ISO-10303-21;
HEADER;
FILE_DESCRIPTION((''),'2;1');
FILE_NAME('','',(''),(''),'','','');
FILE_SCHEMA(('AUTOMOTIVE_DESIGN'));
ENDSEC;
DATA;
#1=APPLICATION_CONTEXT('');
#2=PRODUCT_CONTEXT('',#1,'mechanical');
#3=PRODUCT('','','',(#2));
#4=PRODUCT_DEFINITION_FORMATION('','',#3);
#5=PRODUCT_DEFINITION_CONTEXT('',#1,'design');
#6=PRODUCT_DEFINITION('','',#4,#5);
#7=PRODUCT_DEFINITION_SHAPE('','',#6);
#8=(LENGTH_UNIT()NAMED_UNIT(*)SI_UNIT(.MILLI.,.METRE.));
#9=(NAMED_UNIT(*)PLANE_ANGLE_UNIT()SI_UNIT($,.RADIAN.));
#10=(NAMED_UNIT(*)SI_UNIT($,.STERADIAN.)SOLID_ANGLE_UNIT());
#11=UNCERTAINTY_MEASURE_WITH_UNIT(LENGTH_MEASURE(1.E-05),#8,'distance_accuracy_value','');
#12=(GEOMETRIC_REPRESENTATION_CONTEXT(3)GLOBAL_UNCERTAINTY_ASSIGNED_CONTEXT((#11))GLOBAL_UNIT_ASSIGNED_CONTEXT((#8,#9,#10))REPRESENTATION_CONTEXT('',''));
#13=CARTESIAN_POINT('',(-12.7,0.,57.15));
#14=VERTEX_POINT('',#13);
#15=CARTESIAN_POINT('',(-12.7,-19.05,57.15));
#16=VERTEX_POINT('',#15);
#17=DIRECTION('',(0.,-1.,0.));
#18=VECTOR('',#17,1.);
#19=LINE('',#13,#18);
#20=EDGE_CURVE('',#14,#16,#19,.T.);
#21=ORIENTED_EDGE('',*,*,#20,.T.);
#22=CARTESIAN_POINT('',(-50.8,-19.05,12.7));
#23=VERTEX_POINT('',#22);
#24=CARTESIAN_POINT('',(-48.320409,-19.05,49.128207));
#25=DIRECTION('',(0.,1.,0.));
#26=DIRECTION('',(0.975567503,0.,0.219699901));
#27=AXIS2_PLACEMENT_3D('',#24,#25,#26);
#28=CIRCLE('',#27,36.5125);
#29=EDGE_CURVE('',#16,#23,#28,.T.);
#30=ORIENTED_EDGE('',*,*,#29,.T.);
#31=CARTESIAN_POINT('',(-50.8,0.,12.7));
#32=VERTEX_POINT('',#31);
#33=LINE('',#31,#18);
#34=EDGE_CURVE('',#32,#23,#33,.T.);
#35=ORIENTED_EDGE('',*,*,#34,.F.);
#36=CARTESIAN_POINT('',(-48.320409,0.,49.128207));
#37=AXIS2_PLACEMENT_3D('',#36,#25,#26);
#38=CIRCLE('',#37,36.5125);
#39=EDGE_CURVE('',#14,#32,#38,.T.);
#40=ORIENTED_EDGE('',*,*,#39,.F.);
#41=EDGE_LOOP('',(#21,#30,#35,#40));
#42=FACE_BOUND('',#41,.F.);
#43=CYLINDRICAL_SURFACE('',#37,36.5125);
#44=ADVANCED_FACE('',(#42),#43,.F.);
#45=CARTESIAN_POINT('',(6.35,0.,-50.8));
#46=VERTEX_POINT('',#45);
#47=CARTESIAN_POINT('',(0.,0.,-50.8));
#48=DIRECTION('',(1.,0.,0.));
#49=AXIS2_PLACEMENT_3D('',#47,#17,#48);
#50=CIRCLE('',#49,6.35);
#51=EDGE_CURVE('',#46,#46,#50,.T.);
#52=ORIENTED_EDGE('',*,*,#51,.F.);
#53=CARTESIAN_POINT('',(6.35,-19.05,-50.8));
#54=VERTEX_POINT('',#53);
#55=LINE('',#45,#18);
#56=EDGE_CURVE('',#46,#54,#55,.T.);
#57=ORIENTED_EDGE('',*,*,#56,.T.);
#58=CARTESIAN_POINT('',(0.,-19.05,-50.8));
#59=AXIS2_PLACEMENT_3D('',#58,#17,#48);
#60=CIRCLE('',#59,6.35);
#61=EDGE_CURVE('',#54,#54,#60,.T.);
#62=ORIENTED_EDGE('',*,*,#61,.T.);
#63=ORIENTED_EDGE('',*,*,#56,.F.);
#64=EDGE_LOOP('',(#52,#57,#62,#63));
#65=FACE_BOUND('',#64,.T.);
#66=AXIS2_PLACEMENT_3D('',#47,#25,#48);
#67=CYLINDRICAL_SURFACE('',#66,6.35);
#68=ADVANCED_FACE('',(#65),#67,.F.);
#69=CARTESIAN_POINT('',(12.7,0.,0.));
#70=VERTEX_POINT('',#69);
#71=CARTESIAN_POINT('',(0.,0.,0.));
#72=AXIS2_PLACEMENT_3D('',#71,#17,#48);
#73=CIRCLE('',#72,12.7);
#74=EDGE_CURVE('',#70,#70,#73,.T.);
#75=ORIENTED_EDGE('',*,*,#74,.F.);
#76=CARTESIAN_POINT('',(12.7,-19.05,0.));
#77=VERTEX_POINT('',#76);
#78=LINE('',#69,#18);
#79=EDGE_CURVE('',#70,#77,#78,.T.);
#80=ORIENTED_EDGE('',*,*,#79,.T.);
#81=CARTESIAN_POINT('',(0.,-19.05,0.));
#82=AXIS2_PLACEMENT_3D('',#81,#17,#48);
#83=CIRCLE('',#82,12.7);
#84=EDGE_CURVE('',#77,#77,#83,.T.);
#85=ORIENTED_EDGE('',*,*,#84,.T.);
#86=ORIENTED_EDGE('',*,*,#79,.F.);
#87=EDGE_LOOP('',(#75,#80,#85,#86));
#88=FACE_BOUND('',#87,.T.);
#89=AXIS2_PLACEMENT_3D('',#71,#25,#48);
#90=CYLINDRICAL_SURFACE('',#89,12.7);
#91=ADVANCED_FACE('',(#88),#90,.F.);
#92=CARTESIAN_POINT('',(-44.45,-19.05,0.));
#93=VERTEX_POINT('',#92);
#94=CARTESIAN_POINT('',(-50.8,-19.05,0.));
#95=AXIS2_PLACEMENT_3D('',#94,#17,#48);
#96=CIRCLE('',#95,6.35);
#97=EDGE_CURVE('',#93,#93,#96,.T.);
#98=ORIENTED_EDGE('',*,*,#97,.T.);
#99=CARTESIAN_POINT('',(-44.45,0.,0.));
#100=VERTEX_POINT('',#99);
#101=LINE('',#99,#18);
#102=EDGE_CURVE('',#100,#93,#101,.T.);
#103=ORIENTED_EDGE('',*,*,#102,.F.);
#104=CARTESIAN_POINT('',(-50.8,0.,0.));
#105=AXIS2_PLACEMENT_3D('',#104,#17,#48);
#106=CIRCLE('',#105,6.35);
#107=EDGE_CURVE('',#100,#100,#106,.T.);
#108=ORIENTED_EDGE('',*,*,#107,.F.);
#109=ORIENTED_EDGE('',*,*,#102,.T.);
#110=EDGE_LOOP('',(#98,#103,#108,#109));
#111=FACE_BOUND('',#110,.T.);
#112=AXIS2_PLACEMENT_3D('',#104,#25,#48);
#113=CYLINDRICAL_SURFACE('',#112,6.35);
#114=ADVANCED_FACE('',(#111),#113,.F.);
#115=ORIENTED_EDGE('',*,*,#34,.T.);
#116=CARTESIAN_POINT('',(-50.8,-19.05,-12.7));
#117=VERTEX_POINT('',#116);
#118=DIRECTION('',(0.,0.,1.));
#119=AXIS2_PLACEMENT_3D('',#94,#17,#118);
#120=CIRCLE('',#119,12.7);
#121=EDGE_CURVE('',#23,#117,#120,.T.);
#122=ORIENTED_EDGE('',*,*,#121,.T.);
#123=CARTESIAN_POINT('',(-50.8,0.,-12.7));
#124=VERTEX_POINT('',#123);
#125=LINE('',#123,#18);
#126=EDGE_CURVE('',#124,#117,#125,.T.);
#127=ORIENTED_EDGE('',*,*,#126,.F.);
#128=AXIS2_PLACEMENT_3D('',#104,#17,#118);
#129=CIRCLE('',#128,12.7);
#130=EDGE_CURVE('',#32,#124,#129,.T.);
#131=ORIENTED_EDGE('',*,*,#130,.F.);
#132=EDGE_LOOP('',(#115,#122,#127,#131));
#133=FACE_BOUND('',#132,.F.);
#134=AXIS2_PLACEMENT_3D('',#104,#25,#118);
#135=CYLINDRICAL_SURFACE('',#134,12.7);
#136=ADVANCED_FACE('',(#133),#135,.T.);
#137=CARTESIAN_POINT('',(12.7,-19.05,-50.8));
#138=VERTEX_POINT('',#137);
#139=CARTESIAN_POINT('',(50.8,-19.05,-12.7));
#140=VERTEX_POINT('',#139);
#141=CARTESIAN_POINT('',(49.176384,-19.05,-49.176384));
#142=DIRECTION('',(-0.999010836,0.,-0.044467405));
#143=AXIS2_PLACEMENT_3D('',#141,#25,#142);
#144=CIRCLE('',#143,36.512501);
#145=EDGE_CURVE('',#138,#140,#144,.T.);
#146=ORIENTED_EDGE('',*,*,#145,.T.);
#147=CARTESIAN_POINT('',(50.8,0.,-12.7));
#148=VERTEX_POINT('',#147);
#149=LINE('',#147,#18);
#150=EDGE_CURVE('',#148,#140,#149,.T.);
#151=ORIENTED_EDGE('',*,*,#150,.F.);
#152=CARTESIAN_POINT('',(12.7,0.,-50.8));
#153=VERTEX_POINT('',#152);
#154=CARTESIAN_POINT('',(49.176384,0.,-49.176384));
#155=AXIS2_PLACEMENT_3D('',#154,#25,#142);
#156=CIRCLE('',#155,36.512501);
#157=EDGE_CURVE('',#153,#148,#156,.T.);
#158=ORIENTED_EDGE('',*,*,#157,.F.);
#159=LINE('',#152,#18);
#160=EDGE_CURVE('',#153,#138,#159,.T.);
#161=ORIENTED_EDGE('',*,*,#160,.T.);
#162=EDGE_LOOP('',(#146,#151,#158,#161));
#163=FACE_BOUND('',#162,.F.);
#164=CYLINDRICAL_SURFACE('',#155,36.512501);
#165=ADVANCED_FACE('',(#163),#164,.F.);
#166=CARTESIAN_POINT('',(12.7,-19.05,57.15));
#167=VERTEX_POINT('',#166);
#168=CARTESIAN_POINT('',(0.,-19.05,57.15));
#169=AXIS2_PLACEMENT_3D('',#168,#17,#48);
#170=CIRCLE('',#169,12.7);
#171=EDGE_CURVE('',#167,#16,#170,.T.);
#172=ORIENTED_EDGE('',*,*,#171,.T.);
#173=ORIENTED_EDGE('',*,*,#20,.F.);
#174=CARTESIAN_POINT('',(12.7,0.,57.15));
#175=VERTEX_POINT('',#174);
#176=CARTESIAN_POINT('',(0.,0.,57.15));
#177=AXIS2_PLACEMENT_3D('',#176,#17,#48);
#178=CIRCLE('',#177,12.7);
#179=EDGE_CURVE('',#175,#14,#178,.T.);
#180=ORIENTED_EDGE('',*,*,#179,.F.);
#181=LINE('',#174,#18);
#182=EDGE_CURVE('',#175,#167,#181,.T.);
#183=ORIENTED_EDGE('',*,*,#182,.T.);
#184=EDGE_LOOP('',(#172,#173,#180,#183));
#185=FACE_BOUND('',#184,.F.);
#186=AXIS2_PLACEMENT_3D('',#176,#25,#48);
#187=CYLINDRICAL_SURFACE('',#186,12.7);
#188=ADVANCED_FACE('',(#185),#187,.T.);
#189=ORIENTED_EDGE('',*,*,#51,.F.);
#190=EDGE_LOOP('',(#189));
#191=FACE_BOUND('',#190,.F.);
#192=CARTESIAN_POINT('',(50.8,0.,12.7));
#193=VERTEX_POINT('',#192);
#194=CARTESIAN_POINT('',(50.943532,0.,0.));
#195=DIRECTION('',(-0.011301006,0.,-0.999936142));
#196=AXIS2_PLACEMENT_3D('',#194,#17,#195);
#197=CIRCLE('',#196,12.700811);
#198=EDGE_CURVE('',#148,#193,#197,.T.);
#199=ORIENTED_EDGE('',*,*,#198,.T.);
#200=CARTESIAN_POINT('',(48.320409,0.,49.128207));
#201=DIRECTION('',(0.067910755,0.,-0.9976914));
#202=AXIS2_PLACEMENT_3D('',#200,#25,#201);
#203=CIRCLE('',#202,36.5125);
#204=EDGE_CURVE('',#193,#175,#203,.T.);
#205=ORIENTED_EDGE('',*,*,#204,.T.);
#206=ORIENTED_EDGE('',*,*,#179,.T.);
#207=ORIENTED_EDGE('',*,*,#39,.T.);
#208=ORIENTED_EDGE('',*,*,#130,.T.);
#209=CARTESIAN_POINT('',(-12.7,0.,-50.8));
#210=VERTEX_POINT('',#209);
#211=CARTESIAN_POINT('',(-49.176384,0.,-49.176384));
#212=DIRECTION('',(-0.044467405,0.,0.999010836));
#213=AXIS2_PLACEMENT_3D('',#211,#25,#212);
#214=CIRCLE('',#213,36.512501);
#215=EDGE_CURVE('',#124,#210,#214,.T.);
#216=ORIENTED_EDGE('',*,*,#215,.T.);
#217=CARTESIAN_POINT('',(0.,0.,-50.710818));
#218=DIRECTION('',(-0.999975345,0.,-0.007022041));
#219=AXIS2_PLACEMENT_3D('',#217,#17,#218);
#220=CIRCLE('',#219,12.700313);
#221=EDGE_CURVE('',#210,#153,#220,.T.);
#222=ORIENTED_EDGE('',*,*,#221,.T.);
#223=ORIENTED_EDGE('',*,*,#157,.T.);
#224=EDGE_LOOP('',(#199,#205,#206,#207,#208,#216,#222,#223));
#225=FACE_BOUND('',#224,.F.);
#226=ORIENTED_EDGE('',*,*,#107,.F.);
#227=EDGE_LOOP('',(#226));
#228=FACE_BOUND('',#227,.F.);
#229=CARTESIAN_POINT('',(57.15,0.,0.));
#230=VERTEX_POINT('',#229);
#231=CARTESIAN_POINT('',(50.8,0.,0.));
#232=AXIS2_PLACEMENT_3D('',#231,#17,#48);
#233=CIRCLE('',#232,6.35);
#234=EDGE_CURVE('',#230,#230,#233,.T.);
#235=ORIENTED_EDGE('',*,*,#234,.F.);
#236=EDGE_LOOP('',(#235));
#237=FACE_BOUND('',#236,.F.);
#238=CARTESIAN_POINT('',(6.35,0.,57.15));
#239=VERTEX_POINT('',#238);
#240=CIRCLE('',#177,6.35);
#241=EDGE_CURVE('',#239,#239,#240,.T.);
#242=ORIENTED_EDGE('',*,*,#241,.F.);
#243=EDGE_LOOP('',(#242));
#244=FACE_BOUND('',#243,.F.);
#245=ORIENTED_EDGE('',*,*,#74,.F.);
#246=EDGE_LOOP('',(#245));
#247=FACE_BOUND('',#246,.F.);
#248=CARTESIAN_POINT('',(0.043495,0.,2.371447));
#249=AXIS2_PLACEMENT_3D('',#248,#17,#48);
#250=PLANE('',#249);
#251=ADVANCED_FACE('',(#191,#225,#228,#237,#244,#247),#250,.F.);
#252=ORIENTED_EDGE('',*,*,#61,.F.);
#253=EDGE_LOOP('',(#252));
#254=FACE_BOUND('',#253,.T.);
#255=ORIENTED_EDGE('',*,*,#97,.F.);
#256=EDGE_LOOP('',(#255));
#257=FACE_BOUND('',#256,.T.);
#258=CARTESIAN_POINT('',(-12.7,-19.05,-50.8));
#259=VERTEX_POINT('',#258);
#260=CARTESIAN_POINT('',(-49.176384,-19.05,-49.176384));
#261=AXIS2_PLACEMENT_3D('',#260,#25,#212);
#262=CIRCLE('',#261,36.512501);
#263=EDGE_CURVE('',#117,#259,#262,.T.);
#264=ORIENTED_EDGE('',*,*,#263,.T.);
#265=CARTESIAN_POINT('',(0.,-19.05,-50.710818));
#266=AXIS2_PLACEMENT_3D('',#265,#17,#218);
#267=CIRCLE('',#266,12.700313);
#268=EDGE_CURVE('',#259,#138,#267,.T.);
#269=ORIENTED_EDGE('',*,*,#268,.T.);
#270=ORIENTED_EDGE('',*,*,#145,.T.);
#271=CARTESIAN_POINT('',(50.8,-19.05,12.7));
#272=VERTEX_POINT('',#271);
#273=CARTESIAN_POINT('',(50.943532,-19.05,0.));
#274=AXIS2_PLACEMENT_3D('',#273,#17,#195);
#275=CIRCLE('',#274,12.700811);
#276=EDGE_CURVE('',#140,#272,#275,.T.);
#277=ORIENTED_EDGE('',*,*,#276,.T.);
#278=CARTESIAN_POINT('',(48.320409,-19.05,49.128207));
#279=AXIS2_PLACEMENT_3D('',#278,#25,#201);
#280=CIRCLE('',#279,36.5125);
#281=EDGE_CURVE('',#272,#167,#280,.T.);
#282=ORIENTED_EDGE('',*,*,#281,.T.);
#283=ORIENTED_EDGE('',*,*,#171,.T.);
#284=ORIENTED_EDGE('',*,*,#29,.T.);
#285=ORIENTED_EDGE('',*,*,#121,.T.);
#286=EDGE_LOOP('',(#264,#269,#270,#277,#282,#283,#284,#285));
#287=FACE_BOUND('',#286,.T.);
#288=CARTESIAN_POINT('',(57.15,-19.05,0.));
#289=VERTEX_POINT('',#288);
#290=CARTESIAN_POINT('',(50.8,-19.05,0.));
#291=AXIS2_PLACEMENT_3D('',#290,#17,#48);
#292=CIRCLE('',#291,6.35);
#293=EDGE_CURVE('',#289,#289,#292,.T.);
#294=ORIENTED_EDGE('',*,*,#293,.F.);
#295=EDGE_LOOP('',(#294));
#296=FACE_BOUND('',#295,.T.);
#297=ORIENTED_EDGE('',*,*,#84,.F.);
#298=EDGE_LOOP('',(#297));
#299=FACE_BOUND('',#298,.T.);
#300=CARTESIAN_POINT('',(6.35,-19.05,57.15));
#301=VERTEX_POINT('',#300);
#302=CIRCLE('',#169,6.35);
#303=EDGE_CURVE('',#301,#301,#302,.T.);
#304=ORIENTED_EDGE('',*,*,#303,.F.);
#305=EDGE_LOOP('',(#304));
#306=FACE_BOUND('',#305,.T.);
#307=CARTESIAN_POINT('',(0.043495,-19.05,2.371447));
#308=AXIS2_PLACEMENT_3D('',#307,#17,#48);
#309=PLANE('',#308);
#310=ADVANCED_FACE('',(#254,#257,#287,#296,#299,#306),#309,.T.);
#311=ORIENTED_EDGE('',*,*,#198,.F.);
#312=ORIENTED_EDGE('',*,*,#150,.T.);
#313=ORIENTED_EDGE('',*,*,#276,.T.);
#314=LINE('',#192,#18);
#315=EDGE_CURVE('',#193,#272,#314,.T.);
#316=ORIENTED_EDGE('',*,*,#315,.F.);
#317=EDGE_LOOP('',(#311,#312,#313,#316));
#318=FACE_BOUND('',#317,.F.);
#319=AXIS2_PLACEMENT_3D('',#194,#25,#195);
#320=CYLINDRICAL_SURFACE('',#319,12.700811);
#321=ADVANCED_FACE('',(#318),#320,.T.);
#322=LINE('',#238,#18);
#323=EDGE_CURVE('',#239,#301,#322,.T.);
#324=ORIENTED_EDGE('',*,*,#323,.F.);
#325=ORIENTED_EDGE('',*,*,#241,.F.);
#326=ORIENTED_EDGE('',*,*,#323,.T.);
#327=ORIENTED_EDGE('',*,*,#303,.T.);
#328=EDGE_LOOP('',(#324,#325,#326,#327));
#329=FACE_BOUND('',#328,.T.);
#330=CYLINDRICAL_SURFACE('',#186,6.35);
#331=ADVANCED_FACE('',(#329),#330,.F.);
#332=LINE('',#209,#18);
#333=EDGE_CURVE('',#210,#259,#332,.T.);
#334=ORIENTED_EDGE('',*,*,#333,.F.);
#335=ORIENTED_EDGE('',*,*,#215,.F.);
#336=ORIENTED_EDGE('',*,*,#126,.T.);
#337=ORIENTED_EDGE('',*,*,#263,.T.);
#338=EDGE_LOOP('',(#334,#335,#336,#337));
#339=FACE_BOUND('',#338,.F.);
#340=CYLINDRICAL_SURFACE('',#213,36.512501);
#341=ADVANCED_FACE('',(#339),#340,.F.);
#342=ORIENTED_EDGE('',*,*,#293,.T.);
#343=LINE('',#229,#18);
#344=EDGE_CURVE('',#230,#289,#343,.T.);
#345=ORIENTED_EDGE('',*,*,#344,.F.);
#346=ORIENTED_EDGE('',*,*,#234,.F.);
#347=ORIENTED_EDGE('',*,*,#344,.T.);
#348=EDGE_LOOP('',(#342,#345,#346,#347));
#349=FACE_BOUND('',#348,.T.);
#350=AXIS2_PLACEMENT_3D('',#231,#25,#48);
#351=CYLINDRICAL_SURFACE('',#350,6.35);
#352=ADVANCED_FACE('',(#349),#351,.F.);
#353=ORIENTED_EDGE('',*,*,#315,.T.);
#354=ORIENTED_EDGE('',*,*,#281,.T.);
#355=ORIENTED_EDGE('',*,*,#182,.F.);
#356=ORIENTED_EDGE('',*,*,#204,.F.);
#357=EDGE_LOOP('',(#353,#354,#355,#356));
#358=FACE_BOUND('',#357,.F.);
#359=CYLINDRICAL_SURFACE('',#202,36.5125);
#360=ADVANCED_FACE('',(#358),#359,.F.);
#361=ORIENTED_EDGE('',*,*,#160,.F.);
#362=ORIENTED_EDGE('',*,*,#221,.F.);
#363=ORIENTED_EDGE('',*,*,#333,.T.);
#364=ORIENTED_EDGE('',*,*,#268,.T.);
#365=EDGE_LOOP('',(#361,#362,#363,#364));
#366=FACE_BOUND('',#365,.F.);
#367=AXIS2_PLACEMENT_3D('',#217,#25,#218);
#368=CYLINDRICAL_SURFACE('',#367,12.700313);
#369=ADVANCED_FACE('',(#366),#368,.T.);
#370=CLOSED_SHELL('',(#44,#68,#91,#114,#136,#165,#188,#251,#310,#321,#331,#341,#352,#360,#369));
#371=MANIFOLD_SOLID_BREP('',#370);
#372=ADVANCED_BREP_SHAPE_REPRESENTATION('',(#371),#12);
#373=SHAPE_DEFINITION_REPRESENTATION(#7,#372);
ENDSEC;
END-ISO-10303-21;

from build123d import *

# Parameters (mm, degrees)
F0_R     = 6.35
F0_R_2   = 12.7
F1_DEPTH = 19.05


with BuildPart() as f1:
    # F0 (on Front) → F1 (new body)
    with BuildSketch(Plane.XZ):
        with BuildLine():
            ThreePointArc((-50.8, -12.7), (-23.358147, -23.358147), (-12.7, -50.8))
            ThreePointArc((-12.7, -50.8), (0, -63.411131), (12.7, -50.8))
            ThreePointArc((12.7, -50.8), (23.358147, -23.358147), (50.8, -12.7))
            ThreePointArc((50.8, -12.7), (63.644343, 0), (50.8, 12.7))
            ThreePointArc((50.8, 12.7), (20.598052, 25.366187), (12.7, 57.15))
            ThreePointArc((12.7, 57.15), (0, 69.85), (-12.7, 57.15))
            ThreePointArc((-12.7, 57.15), (-20.598052, 25.366187), (-50.8, 12.7))
            ThreePointArc((-50.8, 12.7), (-63.5, 0), (-50.8, -12.7))
        make_face()
        with Locations((0, -50.8)):
            Circle(F0_R, mode=Mode.SUBTRACT)
        with Locations((-50.8, 0)):
            Circle(F0_R, mode=Mode.SUBTRACT)
        Circle(F0_R_2, mode=Mode.SUBTRACT)
        with Locations((50.8, 0)):
            Circle(F0_R, mode=Mode.SUBTRACT)
        with Locations((0, 57.15)):
            Circle(F0_R, mode=Mode.SUBTRACT)
    extrude(amount=F1_DEPTH)


solid = f1.part
